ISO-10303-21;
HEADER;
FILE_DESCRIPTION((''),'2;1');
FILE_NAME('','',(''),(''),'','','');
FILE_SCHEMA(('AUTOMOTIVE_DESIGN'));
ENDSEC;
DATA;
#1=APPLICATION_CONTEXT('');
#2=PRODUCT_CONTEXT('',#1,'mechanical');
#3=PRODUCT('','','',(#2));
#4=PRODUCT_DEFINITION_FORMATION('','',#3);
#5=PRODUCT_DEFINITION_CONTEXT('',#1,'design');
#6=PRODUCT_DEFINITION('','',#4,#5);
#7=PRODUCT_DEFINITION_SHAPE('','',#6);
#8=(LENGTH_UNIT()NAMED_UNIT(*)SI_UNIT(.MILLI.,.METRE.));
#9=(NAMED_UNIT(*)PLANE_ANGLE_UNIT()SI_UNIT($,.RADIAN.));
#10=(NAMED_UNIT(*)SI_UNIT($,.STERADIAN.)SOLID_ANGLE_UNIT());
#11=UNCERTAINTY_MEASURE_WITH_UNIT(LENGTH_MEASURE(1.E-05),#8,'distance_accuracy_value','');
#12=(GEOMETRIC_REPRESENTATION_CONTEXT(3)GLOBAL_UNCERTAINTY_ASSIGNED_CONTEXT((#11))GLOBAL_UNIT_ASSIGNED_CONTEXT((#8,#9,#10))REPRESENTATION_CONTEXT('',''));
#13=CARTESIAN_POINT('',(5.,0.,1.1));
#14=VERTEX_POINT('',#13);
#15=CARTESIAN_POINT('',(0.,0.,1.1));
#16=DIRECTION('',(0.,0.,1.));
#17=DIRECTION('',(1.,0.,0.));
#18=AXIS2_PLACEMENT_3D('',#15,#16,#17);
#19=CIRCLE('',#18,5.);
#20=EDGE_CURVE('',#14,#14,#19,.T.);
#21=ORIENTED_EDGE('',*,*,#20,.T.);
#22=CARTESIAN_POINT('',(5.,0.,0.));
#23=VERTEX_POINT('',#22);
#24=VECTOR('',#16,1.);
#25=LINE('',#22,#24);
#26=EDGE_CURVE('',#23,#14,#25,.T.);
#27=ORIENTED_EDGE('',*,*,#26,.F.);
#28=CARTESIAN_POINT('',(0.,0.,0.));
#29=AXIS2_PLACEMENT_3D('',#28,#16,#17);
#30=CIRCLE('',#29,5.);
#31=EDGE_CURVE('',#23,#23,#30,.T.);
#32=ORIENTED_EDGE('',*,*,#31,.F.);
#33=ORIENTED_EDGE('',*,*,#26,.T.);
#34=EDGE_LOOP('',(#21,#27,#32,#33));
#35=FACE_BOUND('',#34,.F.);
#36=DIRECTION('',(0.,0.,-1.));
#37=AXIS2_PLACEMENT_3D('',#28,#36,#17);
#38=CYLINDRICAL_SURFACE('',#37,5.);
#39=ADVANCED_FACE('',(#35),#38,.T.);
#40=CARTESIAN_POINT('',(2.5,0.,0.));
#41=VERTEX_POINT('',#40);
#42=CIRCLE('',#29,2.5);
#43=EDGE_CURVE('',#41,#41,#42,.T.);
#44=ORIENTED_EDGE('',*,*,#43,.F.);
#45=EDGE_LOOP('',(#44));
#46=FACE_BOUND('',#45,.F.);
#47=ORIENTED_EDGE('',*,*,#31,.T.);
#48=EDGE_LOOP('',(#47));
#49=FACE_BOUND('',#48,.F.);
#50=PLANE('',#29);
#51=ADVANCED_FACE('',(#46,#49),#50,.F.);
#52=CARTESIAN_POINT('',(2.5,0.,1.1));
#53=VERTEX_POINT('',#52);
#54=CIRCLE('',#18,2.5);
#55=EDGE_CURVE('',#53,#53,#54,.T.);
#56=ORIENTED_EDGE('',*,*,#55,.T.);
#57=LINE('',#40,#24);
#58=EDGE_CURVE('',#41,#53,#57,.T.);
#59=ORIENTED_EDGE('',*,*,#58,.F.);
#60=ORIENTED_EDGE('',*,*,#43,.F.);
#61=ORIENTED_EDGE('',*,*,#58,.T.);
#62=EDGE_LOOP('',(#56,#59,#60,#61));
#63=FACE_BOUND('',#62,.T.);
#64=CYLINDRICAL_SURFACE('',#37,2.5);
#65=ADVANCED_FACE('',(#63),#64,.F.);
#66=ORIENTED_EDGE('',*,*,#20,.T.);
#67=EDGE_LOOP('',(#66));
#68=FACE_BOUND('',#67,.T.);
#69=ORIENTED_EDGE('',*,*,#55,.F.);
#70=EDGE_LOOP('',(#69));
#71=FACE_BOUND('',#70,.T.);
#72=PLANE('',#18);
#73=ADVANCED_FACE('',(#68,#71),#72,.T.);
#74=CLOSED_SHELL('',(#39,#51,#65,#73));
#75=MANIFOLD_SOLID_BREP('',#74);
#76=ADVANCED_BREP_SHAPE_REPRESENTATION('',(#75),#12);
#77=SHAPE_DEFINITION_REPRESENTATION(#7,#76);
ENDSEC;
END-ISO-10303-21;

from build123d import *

# Parameters (mm, degrees)
F0_R     = 5
F0_R_2   = 2.5
F1_DEPTH = 1.1


with BuildPart() as f1:
    # F0 (on Top) → F1 (new body)
    with BuildSketch(Plane.XY):
        Circle(F0_R)
        Circle(F0_R_2, mode=Mode.SUBTRACT)
    extrude(amount=F1_DEPTH)


solid = f1.part
